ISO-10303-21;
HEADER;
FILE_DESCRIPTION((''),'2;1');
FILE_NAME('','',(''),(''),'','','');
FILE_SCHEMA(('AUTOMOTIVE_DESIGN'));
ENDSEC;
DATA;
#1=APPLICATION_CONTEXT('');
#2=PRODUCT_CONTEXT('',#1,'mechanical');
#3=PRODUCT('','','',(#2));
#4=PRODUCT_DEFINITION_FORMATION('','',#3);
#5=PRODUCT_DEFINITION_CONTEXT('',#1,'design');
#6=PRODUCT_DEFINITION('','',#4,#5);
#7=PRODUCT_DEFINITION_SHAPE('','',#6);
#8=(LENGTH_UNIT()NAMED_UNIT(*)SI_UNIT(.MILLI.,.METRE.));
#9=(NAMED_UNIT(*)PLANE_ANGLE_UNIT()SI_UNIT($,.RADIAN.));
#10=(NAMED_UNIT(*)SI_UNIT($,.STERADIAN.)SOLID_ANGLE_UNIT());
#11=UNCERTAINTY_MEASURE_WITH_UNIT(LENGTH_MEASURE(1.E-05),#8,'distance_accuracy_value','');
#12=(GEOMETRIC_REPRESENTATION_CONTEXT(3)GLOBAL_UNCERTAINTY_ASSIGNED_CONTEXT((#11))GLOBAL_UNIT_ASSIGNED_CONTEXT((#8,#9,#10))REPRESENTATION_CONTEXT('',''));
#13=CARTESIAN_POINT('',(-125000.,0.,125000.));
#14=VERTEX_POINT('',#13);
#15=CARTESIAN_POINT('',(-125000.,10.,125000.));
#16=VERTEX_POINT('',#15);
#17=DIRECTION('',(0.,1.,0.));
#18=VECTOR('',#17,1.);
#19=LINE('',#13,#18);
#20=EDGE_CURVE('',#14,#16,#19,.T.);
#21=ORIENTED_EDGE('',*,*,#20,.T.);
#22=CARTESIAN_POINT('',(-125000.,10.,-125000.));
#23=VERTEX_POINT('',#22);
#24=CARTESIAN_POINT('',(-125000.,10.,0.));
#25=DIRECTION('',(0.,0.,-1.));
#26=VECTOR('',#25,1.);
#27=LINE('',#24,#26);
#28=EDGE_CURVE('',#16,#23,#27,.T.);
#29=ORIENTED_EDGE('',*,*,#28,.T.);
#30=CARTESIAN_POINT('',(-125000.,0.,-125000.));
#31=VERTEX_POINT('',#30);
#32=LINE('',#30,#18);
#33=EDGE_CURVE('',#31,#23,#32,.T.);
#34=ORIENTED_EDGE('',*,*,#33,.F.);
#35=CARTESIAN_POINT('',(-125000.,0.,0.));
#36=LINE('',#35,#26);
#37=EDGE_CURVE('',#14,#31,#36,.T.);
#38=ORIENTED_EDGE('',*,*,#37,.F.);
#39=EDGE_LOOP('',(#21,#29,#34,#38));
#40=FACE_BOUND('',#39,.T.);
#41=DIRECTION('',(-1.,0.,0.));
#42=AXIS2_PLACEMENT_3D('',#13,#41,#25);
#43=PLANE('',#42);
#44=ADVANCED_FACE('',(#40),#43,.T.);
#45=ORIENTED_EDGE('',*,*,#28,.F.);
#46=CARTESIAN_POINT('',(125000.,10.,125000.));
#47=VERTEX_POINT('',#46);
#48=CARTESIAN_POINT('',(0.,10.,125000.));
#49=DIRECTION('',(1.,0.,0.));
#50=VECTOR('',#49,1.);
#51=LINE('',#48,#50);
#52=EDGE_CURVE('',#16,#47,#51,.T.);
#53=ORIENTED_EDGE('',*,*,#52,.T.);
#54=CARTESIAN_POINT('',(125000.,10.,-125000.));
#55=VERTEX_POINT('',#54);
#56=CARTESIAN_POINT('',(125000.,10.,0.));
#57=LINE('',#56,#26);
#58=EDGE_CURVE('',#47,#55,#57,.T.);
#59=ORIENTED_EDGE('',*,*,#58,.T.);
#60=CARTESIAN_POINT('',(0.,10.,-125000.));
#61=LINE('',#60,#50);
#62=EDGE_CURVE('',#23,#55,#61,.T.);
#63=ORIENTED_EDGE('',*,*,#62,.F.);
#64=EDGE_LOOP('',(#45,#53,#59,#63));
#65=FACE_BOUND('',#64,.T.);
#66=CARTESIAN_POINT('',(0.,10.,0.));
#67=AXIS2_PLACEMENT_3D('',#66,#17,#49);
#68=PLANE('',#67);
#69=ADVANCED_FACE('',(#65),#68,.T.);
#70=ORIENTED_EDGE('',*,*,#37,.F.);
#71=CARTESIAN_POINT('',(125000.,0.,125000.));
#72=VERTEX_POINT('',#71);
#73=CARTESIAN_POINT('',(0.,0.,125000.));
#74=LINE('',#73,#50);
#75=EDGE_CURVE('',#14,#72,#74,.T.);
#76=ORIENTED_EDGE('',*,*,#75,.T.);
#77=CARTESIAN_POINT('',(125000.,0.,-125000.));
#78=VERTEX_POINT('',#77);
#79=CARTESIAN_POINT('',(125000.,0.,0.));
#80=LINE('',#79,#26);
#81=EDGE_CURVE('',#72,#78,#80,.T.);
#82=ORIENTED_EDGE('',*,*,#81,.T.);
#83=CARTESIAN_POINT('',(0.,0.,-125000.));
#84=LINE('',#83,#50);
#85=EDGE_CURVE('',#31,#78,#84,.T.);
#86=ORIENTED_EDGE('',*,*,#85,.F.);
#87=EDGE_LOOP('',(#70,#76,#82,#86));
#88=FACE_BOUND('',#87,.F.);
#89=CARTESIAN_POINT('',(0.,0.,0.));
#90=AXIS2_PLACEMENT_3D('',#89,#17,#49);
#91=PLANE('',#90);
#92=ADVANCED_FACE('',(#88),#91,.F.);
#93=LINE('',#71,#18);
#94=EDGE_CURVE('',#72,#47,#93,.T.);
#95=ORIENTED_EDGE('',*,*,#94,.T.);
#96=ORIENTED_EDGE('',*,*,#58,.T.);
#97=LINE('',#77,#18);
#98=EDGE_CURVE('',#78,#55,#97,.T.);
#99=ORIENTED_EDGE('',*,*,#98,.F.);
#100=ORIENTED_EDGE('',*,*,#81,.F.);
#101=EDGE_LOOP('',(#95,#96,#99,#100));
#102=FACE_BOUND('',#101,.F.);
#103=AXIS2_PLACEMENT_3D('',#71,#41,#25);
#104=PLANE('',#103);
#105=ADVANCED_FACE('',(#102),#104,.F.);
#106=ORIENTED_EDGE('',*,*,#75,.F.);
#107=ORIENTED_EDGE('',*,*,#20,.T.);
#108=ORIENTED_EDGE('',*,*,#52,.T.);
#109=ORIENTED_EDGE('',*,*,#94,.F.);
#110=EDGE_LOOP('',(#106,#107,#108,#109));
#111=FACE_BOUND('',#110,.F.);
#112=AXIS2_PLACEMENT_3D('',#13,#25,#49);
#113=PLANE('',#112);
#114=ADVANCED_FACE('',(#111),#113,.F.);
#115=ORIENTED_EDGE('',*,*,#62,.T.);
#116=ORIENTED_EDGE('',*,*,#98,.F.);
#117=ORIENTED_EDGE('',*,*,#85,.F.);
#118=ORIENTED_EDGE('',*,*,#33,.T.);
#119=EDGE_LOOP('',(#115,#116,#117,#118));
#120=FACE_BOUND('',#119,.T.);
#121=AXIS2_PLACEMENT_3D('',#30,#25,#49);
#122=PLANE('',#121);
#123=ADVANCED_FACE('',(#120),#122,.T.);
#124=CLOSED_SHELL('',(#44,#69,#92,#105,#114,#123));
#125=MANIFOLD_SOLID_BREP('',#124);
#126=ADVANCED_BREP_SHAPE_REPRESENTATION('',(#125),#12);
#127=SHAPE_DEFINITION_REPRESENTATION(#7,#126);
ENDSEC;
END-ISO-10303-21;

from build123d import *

# Parameters (mm, degrees)
SKETCH2_W           = 250000
SKETCH2_H           = 250000
BOSS_EXTRUDE1_DEPTH = 10


with BuildPart() as part:
    # Sketch2 → Boss-Extrude1 (new body)
    with BuildSketch(Plane(origin=(0, 0, 0), x_dir=(1, 0, 0), z_dir=(0, 1, 0))):
        Rectangle(SKETCH2_W, SKETCH2_H)
    extrude(amount=BOSS_EXTRUDE1_DEPTH)


solid = part.part
